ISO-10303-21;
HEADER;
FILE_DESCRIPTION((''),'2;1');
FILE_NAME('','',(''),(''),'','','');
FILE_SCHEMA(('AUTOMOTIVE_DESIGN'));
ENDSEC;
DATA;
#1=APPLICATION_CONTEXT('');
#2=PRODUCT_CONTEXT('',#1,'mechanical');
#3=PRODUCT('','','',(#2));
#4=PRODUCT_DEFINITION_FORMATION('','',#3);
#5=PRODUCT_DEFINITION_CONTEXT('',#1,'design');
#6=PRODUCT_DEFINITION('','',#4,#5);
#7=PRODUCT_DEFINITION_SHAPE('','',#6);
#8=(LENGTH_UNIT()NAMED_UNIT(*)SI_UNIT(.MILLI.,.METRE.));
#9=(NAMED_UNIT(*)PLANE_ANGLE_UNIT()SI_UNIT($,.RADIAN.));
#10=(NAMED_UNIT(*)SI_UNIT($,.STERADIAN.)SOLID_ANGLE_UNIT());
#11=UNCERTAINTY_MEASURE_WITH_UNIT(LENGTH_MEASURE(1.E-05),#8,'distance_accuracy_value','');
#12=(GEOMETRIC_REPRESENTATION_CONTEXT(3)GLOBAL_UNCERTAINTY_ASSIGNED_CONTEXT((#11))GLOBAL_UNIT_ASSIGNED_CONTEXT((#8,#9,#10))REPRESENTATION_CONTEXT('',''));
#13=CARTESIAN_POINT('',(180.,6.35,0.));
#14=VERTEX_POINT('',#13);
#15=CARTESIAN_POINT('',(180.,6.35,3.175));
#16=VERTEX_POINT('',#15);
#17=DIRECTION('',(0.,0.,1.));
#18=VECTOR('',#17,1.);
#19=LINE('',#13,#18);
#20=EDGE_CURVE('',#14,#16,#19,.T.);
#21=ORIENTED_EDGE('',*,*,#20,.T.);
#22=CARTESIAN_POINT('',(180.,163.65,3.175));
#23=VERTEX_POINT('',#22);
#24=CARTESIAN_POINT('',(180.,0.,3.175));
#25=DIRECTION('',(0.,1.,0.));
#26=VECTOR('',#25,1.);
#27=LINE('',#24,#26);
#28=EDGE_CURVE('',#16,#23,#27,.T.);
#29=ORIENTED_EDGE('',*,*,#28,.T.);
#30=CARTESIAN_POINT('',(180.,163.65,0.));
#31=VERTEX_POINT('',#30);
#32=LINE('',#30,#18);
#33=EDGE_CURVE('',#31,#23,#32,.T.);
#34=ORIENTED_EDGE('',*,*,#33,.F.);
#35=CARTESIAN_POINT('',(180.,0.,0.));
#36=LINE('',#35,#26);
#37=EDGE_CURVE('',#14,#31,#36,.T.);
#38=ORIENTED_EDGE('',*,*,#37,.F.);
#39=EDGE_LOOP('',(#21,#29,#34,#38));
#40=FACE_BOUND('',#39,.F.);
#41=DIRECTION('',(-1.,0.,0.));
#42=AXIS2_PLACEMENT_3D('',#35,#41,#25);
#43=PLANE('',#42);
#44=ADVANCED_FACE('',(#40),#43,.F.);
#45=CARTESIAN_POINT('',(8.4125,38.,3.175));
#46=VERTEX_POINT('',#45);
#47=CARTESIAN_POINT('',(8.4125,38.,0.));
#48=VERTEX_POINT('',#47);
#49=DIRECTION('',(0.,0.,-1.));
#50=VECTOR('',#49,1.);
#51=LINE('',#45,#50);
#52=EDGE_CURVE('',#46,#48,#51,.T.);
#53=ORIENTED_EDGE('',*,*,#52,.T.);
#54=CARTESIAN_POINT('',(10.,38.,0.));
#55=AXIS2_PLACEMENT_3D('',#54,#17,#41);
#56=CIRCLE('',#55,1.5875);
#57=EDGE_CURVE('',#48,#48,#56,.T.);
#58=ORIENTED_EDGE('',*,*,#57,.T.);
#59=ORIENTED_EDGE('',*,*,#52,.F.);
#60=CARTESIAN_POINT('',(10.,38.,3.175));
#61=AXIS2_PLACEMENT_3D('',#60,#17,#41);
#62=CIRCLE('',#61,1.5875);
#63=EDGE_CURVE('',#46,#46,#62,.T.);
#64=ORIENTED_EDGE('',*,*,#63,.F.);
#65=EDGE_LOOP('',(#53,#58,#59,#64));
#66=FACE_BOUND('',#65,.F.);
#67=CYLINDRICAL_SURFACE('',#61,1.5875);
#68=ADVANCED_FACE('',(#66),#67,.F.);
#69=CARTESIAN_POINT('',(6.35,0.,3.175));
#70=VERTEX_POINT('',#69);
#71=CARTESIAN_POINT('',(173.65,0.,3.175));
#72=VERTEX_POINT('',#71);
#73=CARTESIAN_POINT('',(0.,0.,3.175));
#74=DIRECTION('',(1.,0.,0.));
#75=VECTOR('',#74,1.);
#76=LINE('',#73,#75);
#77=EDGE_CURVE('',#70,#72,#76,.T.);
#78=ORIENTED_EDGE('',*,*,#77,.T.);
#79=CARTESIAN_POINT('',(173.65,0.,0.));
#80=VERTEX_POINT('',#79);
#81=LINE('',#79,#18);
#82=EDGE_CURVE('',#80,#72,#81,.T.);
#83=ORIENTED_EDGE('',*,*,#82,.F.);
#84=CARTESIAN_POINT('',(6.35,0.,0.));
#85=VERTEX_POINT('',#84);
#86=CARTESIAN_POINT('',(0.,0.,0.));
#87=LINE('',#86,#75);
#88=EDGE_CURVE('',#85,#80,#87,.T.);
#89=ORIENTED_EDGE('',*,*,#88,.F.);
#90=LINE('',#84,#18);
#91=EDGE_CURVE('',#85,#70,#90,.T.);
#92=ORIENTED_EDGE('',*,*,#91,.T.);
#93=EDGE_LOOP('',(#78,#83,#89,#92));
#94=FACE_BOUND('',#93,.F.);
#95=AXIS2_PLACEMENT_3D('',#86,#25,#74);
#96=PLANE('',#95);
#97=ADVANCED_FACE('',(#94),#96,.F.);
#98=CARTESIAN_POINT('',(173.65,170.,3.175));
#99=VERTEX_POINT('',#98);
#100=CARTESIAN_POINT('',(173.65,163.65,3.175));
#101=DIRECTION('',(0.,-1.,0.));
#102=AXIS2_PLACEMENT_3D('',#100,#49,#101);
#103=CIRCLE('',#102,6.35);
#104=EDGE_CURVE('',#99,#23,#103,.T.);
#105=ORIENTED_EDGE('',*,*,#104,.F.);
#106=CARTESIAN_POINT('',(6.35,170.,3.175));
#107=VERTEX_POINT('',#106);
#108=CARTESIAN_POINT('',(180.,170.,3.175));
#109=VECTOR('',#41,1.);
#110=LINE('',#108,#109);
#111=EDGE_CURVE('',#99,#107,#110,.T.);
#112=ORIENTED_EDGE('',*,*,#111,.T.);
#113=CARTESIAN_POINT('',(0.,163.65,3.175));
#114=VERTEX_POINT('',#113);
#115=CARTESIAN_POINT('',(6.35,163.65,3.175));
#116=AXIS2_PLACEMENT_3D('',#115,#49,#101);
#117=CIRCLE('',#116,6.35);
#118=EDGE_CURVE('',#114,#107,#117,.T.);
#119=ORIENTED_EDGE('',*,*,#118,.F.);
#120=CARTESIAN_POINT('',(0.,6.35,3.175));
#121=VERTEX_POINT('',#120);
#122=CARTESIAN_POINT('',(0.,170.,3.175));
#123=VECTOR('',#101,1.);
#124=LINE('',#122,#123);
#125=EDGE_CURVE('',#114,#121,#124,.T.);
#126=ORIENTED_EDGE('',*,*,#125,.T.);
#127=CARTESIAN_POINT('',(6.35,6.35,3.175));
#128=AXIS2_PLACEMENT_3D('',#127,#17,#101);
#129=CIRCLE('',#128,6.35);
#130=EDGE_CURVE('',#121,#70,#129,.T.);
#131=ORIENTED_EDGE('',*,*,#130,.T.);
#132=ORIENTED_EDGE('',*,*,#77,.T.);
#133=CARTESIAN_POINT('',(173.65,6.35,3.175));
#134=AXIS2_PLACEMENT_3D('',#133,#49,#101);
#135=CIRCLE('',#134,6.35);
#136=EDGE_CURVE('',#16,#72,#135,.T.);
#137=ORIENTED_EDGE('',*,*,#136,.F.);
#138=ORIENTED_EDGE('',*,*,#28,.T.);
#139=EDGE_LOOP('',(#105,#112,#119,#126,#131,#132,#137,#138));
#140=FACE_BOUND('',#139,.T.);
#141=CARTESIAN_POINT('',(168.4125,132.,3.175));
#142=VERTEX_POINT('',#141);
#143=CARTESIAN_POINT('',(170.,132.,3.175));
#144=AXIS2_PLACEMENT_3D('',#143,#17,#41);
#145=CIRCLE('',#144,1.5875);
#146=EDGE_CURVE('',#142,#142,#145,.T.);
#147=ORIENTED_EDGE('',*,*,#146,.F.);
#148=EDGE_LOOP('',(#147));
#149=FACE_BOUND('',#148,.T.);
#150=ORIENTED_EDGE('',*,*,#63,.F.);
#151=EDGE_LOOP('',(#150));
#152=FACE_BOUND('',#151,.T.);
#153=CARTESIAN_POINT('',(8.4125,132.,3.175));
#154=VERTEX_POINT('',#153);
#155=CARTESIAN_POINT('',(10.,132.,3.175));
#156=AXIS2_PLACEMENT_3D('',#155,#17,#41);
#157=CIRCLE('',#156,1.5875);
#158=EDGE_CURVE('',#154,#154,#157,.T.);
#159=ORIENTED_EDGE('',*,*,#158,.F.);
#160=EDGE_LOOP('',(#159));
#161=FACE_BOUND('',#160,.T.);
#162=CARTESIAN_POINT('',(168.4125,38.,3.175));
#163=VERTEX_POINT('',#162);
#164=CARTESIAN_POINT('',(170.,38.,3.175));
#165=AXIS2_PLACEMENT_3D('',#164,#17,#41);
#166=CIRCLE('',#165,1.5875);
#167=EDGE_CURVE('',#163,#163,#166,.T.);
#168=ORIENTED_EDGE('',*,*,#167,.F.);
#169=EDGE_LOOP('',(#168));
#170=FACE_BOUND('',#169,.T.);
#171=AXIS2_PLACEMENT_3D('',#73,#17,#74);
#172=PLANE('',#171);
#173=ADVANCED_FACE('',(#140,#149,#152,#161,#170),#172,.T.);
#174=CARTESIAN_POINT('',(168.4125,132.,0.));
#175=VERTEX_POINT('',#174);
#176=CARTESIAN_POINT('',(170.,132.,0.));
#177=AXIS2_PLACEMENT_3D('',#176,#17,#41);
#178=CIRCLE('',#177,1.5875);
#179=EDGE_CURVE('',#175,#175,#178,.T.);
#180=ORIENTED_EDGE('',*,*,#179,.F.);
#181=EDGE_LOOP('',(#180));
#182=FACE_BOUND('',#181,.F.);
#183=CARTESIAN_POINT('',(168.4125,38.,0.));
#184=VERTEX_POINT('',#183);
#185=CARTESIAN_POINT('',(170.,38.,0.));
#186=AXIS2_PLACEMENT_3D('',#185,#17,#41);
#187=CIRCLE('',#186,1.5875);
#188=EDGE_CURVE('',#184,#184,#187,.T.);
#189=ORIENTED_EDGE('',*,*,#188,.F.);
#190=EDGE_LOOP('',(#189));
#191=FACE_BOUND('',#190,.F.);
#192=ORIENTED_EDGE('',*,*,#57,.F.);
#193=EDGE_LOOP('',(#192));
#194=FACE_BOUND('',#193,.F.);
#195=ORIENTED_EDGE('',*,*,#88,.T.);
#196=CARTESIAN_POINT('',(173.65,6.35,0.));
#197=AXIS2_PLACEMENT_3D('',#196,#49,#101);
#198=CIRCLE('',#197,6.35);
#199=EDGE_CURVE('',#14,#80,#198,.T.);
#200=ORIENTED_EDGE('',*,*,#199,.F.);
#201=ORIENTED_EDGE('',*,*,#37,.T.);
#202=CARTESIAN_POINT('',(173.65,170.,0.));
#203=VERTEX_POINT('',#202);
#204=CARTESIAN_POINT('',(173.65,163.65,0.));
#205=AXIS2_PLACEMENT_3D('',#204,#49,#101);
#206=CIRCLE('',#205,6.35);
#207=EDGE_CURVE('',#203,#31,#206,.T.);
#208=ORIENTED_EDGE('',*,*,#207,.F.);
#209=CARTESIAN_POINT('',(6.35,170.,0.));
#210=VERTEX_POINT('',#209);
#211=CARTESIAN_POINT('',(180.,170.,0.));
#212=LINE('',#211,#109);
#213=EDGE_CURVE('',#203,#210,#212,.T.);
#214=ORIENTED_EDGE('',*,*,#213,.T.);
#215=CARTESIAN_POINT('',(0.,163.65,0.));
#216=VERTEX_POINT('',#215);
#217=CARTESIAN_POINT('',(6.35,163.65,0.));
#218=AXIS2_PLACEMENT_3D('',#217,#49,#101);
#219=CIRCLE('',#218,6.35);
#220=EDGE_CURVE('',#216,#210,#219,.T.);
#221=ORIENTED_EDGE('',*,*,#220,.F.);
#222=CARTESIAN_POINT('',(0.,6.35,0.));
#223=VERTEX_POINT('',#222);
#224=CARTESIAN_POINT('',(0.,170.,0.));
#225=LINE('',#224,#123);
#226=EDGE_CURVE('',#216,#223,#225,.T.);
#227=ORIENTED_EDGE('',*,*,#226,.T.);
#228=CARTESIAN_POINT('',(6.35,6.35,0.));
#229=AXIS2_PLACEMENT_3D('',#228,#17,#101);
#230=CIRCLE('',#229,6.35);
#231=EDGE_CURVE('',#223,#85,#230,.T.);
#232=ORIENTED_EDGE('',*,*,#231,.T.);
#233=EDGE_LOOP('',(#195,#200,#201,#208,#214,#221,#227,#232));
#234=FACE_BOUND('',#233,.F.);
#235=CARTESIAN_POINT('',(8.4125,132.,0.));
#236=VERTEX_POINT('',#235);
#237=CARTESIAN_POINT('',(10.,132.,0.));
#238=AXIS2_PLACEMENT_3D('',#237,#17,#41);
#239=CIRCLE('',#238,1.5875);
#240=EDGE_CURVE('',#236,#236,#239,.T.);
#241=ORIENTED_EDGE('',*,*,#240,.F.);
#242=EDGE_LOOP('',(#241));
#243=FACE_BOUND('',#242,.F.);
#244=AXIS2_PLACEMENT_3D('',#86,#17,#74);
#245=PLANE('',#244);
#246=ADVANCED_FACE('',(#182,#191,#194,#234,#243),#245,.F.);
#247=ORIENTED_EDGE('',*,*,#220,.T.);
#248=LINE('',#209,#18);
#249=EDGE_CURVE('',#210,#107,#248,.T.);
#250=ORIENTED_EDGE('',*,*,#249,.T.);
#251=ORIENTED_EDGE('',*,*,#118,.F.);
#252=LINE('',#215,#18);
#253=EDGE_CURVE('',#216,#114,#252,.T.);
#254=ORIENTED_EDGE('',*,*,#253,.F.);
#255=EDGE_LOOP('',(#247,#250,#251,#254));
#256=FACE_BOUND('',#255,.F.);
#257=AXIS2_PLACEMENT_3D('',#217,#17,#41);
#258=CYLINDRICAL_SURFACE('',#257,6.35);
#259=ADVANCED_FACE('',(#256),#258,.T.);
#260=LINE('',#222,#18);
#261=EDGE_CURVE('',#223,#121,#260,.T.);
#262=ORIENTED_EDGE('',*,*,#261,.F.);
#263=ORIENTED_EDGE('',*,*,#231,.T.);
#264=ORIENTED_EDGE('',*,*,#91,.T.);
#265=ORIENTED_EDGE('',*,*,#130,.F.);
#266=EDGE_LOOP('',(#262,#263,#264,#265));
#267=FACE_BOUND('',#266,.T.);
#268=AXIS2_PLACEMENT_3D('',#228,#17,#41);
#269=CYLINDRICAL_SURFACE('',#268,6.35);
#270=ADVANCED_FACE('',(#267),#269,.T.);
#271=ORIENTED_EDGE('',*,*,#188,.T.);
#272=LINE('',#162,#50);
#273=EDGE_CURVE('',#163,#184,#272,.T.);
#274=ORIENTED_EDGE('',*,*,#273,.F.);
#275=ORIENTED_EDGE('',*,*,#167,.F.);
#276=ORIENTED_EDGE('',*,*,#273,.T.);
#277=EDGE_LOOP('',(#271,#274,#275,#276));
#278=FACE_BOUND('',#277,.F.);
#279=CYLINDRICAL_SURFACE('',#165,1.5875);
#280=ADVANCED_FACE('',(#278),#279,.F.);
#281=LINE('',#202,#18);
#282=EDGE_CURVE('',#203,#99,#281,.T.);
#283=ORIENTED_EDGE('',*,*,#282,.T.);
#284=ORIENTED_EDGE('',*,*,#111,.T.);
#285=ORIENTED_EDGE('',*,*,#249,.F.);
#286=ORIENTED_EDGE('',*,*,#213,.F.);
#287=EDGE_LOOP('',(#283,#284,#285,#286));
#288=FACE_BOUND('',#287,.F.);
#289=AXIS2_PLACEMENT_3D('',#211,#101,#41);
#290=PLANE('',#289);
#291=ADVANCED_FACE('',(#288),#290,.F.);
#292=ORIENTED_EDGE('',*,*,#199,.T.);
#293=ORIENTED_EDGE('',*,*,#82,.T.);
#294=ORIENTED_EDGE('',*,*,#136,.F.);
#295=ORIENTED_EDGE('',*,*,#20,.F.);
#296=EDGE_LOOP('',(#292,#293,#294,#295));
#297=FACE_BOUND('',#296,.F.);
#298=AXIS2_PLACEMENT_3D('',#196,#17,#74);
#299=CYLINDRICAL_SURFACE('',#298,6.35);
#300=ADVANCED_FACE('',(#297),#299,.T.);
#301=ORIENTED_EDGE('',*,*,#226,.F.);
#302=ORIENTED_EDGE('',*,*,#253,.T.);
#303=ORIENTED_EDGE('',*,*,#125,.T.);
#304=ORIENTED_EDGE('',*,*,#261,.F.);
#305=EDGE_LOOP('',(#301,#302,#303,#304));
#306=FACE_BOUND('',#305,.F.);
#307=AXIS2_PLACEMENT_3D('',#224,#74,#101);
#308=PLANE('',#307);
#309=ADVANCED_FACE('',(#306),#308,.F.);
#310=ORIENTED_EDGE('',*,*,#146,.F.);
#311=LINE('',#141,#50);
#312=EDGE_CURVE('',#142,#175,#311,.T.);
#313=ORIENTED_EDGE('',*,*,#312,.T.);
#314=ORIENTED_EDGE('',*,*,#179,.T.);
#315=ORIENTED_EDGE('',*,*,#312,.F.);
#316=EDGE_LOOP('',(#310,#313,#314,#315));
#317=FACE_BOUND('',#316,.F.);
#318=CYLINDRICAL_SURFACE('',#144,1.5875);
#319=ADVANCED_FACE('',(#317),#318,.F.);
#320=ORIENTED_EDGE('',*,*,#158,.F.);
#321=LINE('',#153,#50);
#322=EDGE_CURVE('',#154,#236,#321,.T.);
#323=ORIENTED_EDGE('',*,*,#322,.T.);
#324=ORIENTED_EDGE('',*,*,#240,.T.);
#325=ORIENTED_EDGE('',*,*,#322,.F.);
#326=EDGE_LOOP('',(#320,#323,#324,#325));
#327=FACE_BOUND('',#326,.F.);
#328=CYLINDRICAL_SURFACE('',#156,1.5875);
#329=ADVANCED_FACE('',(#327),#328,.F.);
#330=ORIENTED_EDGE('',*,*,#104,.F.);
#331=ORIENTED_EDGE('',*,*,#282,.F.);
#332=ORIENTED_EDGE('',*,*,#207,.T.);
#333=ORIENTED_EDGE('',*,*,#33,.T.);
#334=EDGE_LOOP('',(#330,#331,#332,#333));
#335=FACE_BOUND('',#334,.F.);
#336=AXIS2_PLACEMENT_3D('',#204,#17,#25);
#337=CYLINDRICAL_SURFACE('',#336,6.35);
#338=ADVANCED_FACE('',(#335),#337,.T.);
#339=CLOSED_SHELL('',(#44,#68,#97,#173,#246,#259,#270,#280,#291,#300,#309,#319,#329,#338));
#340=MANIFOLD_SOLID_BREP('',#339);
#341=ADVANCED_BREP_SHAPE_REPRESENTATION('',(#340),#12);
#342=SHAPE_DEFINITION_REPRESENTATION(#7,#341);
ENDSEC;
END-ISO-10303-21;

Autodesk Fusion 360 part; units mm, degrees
sketch "Sketch1" plane through (0, 0, 0) normal (0, 0, 1) x (1, 0, 0)
  line L0 (0, 0) -> (180, 0)
  line L1 (180, 0) -> (180, 170)
  line L2 (180, 170) -> (0, 170)
  line L3 (0, 170) -> (0, 0)
  dimension "d1" = 180
  dimension "d2" = 170
extrude "Extrude1" add sketch "Sketch1" along normal blind 3.175
fillet "Fillet1" radius 6.35 2 edges at (0, 0, 1.5875) (180, 0, 1.5875)
fillet "Fillet2" radius 6.35 2 edges at (0, 170, 1.5875) (180, 170, 1.5875)
sketch "Sketch2" plane through (0, 0, 3.175) normal (0, 0, 1) x (-1, 0, 0)
  arc A0 (-180, -163.65) -> (-173.65, -170) centre (-173.65, -163.65) ccw
  line L0 (-173.65, -170) -> (-6.35, -170)
  arc A1 (-6.35, -170) -> (0, -163.65) centre (-6.35, -163.65) ccw
  line L1 (0, -163.65) -> (0, -6.35)
  arc A2 (0, -6.35) -> (-6.35, 0) centre (-6.35, -6.35) ccw
  line L2 (-6.35, 0) -> (-173.65, 0)
  arc A3 (-173.65, 0) -> (-180, -6.35) centre (-173.65, -6.35) ccw
  line L3 (-180, -6.35) -> (-180, -163.65)
  circle A4 centre (-10, -38) radius 1.5875
  circle A5 centre (-170, -38) radius 1.5875
  circle A6 centre (-10, -132) radius 1.5875
  circle A7 centre (-170, -132) radius 1.5875
  dimension "d9" = 3.175
  dimension "d10" = 3.175
  dimension "d11" = 3.175
  dimension "d12" = 3.175
  dimension "d13" = 94
  dimension "d14" = 94
  dimension "d15" = 10
  dimension "d16" = 10
  dimension "d17" = 38
  dimension "d18" = 38
  dimension "d19" = 10
  dimension "d20" = 10
extrude "Extrude2" cut sketch "Sketch2" against normal blind 10 contours A4 | A5 | A6 | A7
